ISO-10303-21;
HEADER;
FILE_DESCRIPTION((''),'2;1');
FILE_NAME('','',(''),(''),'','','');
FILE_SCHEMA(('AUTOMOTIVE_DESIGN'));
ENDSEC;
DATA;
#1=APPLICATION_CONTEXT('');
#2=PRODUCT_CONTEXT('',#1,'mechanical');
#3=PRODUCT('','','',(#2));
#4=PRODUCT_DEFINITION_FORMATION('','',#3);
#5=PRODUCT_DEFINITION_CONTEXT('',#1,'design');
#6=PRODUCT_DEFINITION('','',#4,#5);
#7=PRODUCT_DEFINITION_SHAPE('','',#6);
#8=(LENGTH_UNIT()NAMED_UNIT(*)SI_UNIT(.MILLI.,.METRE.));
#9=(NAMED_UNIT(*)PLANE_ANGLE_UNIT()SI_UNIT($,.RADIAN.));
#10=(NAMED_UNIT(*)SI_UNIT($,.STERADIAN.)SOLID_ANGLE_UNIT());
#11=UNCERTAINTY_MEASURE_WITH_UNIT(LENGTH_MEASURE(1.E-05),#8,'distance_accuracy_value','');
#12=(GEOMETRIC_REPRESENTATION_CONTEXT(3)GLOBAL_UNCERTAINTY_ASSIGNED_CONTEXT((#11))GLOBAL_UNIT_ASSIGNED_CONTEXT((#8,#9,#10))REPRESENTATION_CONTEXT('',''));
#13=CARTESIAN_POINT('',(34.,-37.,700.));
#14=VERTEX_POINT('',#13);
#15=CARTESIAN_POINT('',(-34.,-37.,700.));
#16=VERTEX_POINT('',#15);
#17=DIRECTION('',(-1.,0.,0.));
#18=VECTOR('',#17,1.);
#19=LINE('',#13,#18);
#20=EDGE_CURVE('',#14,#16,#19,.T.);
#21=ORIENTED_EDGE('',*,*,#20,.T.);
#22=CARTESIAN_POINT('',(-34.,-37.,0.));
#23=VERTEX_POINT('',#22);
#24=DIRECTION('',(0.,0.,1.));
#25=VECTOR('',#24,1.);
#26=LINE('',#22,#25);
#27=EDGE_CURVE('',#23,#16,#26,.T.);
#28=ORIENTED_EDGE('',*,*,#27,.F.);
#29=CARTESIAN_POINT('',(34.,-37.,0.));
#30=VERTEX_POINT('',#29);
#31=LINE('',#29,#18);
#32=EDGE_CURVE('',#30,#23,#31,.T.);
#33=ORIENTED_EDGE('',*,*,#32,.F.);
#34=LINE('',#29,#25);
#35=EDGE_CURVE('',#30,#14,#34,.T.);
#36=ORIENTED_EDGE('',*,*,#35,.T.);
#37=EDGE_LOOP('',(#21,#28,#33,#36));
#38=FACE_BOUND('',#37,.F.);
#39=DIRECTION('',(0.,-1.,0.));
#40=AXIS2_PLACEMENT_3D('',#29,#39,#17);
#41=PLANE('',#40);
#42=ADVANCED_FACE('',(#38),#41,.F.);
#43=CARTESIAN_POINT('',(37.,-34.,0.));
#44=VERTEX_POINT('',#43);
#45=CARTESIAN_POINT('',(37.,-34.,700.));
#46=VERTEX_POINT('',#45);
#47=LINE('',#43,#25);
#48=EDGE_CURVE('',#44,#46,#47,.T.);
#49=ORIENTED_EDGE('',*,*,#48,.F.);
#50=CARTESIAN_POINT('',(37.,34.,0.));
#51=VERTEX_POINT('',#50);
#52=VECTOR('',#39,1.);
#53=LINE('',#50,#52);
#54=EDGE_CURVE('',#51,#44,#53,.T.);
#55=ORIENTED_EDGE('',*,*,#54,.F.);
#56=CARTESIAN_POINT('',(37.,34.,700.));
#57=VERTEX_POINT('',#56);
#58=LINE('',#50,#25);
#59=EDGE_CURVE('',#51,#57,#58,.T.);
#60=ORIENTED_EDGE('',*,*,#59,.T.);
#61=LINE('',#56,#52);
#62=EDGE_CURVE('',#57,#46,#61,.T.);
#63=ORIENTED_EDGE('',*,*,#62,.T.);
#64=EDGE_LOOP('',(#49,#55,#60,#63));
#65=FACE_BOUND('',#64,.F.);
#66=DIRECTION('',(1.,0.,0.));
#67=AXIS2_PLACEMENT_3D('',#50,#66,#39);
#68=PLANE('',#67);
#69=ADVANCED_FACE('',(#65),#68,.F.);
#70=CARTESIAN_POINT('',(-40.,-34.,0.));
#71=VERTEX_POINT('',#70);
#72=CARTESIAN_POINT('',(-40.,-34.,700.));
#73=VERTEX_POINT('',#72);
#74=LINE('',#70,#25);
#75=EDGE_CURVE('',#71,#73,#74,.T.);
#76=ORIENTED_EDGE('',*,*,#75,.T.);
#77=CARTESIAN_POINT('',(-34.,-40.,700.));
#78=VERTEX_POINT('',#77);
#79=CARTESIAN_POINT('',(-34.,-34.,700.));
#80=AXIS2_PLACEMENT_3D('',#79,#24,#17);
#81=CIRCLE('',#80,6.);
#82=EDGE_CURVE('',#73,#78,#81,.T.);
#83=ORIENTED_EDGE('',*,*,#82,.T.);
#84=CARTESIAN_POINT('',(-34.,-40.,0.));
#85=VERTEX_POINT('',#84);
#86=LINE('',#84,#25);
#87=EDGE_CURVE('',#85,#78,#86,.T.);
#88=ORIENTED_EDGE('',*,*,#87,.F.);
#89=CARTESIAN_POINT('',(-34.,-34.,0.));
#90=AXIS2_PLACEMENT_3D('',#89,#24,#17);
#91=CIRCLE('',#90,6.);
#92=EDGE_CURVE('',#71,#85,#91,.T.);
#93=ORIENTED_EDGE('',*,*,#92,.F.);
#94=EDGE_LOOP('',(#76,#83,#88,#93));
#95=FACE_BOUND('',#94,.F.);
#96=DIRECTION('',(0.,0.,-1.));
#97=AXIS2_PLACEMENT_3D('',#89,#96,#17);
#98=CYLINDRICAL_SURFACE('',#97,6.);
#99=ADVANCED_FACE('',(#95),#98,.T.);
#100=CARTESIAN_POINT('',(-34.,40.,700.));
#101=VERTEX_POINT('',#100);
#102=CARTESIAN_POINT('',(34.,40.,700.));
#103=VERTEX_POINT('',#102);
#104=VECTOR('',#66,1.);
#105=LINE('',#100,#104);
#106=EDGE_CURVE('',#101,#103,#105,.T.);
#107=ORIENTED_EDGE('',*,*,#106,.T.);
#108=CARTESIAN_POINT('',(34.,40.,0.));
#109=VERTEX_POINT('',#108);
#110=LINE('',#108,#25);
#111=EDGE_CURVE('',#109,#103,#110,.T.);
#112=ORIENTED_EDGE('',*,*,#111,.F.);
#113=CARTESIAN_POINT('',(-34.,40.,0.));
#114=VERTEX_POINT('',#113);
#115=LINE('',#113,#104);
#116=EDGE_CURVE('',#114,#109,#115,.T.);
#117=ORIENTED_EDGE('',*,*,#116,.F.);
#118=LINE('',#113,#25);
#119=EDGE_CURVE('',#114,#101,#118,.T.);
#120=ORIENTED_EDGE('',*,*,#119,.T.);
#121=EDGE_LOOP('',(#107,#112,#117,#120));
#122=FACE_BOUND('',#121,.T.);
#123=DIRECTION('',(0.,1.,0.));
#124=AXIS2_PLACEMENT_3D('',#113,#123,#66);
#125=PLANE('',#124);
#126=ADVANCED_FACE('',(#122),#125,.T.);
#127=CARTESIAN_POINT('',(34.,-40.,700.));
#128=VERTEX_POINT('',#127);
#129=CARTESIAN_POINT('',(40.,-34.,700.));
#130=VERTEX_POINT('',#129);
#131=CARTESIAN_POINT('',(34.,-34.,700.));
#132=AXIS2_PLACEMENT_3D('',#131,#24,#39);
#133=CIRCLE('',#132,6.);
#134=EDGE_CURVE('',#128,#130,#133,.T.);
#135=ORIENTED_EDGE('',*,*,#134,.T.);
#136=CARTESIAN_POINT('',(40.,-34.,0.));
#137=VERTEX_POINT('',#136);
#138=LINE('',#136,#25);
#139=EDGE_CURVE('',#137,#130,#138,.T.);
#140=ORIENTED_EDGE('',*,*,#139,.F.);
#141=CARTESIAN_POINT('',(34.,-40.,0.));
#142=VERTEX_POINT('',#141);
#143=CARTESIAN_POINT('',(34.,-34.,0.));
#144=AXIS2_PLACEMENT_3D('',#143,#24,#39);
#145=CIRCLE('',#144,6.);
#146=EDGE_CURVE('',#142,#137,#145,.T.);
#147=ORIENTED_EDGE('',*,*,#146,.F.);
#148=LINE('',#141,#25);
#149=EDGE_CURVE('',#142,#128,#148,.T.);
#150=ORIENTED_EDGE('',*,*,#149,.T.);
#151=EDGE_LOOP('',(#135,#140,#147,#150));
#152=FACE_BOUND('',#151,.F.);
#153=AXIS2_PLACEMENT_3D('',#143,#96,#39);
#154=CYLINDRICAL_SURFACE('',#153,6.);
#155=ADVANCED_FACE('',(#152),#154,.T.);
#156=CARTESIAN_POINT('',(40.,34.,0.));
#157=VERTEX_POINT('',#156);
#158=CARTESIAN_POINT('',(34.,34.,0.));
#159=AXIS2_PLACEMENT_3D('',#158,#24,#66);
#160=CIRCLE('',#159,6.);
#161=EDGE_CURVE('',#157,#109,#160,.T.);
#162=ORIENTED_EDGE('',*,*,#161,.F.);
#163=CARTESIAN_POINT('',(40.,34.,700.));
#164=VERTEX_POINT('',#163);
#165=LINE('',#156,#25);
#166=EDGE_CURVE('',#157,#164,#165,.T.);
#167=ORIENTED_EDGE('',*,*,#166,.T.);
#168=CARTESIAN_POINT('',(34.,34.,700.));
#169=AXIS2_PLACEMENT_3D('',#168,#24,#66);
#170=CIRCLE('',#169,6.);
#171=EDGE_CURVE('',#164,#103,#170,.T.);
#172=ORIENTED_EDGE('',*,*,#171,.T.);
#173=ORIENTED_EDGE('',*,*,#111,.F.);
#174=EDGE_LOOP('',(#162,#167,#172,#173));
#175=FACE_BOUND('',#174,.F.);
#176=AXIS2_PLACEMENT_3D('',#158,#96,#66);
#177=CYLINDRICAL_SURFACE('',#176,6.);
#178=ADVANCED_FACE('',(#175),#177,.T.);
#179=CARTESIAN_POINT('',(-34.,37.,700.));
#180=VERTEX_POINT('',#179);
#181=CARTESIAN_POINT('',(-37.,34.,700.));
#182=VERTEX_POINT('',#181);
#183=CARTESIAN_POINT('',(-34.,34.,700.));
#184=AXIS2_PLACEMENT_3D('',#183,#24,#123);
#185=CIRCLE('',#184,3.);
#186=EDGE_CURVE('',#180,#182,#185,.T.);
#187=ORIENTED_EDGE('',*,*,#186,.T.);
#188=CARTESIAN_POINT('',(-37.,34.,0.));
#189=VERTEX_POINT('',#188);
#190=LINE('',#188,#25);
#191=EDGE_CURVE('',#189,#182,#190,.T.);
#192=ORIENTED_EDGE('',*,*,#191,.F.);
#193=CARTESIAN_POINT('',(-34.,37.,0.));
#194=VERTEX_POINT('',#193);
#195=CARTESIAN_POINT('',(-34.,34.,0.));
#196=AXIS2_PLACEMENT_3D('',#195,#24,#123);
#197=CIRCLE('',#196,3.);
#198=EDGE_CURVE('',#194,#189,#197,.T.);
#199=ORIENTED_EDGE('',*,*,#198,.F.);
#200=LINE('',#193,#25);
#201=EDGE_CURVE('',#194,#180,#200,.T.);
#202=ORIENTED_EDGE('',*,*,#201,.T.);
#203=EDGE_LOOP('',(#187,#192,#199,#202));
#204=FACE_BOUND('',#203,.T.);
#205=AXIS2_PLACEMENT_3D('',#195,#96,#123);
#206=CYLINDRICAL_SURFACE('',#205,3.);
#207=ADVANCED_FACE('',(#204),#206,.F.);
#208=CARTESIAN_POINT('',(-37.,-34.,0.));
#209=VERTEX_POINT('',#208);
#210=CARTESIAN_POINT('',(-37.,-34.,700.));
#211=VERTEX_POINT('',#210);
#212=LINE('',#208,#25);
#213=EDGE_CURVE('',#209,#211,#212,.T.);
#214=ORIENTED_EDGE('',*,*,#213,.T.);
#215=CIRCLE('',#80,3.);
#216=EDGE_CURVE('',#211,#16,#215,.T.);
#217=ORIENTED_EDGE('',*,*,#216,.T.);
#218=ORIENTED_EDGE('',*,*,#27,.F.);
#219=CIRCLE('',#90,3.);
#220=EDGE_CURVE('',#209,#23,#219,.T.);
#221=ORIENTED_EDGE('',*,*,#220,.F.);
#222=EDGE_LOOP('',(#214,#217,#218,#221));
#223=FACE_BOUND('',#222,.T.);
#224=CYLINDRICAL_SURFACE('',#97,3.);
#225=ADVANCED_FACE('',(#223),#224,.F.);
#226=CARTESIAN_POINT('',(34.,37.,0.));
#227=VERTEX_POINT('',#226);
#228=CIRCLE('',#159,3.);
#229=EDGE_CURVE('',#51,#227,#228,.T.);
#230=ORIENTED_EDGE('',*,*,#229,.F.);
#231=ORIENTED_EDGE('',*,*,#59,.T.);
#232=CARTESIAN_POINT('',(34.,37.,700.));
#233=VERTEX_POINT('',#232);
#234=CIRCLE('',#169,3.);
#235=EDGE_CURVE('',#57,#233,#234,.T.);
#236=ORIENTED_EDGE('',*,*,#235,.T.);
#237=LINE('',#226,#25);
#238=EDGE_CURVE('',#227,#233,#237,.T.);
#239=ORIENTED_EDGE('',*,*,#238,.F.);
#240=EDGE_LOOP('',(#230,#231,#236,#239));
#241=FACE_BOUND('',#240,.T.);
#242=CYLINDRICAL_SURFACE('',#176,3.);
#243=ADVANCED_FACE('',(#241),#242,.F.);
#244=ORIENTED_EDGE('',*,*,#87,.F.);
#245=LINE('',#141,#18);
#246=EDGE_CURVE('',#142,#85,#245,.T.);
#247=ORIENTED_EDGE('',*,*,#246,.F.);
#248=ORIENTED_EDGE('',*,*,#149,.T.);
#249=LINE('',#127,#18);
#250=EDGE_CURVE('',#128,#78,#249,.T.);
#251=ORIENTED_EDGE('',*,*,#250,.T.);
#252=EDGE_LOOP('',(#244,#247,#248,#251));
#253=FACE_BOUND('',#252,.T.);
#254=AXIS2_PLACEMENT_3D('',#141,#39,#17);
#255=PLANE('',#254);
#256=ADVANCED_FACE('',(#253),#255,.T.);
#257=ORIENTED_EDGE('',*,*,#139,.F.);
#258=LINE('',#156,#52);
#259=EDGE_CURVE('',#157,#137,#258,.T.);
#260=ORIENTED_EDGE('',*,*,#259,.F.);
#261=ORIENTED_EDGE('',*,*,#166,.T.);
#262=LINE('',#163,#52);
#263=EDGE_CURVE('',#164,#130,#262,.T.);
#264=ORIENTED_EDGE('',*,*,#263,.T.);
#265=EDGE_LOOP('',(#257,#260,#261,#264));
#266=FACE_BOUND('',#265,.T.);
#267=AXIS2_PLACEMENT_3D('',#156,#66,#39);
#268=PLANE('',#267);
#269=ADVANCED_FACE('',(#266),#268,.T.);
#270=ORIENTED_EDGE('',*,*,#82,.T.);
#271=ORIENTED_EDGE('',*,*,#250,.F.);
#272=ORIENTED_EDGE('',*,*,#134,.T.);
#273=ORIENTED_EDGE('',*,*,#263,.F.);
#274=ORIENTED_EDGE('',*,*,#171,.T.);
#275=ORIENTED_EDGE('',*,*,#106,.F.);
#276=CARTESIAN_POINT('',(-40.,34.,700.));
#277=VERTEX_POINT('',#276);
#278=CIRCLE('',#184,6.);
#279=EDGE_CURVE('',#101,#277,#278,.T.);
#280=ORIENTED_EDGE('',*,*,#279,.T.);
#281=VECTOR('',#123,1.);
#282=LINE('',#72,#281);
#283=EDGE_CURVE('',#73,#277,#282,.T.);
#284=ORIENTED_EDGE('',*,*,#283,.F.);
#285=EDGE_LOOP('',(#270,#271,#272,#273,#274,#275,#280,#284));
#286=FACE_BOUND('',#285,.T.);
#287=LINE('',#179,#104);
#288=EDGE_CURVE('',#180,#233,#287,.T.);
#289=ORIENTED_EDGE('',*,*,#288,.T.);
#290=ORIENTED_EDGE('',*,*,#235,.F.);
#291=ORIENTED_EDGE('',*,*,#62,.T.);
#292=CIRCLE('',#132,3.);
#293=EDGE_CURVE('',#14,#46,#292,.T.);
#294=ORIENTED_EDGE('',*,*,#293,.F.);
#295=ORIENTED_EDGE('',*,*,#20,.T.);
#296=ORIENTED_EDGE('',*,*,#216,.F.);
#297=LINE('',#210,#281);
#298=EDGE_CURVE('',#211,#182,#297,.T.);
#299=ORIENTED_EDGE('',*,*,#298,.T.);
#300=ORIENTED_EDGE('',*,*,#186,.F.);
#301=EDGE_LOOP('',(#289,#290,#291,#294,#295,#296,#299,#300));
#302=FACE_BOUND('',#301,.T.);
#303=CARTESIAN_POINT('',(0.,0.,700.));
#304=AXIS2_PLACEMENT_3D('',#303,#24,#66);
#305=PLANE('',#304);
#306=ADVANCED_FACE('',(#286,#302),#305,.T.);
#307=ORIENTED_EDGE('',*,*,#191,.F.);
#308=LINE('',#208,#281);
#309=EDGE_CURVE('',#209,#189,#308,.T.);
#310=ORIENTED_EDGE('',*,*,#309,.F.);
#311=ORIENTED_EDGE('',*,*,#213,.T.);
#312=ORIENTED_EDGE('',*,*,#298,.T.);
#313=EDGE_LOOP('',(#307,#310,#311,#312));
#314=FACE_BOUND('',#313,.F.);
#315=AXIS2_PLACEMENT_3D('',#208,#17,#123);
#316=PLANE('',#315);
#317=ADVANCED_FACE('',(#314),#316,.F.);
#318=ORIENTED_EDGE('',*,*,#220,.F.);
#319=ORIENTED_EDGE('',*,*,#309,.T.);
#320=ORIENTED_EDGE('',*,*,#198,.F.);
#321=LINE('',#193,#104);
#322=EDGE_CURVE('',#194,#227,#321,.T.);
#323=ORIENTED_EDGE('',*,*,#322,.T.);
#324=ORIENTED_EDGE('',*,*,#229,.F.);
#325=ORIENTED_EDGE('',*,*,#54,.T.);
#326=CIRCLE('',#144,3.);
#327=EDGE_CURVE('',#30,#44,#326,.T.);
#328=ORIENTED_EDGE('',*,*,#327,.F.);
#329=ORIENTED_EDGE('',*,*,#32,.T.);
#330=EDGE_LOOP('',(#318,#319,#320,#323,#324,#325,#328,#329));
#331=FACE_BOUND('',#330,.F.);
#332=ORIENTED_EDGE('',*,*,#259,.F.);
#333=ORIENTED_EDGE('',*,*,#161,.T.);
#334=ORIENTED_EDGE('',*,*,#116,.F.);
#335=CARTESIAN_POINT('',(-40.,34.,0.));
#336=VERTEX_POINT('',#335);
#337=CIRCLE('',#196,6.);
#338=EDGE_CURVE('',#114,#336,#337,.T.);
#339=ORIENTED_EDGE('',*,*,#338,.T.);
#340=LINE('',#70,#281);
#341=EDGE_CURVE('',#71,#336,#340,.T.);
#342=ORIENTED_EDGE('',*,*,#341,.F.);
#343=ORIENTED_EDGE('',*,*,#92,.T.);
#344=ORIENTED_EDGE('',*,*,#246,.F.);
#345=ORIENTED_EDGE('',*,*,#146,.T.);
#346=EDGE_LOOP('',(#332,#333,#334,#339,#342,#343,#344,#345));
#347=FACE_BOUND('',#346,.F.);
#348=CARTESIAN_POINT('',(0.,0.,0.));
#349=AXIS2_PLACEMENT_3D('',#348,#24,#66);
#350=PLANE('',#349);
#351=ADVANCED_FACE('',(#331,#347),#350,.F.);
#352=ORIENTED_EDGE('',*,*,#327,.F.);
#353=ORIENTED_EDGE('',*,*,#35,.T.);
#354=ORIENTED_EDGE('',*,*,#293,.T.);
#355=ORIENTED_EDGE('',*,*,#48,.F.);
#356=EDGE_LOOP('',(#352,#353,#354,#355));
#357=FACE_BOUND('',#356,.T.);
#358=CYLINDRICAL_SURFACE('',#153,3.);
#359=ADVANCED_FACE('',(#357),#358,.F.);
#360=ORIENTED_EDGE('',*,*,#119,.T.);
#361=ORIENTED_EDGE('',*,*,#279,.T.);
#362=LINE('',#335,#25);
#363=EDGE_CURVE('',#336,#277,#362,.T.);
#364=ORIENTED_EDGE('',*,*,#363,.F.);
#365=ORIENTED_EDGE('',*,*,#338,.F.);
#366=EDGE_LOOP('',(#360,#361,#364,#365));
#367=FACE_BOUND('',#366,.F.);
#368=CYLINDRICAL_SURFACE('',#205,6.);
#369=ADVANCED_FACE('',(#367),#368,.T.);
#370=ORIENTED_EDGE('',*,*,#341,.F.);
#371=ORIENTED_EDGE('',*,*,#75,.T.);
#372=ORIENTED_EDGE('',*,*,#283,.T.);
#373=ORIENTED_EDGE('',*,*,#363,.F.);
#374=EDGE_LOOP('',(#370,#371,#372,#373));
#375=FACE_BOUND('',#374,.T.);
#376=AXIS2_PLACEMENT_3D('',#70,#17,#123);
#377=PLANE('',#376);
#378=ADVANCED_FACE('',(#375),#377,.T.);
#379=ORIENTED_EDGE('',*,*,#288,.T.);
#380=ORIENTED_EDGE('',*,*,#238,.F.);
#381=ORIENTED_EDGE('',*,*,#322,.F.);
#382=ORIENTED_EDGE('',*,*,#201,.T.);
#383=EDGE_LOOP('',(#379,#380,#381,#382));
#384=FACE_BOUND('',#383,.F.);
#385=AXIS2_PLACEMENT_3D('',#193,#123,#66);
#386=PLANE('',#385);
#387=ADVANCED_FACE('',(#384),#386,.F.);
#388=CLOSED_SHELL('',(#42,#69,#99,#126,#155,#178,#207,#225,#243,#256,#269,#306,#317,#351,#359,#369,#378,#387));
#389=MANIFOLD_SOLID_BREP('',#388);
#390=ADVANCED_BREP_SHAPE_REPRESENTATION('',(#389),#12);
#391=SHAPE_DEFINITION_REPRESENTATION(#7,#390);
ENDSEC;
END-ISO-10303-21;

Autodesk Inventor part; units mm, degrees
ref_plane "YZ Plane" through (0, 0, 0) normal (1, 0, 0) x (0, 1, 0)
ref_plane "Start Plane" through (0, 0, 0) normal (0, 0, 1) x (1, 0, 0)
ref_plane "End Plane" through (0, 0, 700) normal (0, 0, 1) x (1, 0, 0)
sketch "Sketch" plane through (0, 0, 0) normal (0, 0, 1) x (1, 0, 0)
  line L0 (-40, -34) -> (-40, 34)
  line L1 (-34, 40) -> (34, 40)
  line L2 (40, 34) -> (40, -34)
  line L3 (34, -40) -> (-34, -40)
  arc A0 (-40, -34) -> (-34, -40) centre (-34, -34) ccw
  arc A1 (40, 34) -> (34, 40) centre (34, 34) ccw
  arc A2 (-34, 40) -> (-40, 34) centre (-34, 34) ccw
  arc A3 (34, -40) -> (40, -34) centre (34, -34) ccw
  arc A4 (-34, 37) -> (-37, 34) centre (-34, 34) ccw
  line L4 (-34, 37) -> (34, 37)
  arc A5 (37, 34) -> (34, 37) centre (34, 34) ccw
  line L5 (37, 34) -> (37, -34)
  arc A6 (34, -37) -> (37, -34) centre (34, -34) ccw
  line L6 (34, -37) -> (-34, -37)
  arc A7 (-37, -34) -> (-34, -37) centre (-34, -34) ccw
  line L7 (-37, -34) -> (-37, 34)
  line L8 (0, 57.7397) -> (0, -57.7397) construction
  line L9 (-57.7397, 0) -> (57.7397, 0) construction
  dimension "d7" = 6
  dimension "d9" = 80
  dimension "d11" = 80
  dimension "d12" = 3
  dimension "d15" = 40
  dimension "d16" = 40
extrude "Body" add sketch "Sketch" along normal up to surface (700 mm away) from surface at 0
sketch "Sketch3" plane through (0, 0, 0) normal (0, 0, 1) x (1, 0, 0)
  line L0 (0, 0) -> (10, 0)
ref_plane "Work Plane3" through (0, 0, 0) normal (0, -1, 0) x (1, 0, 0)
sketch "Sketch4" plane through (0, 0, 0) normal (0, -1, 0) x (1, 0, 0)
  line L0 (-2, 0) -> (12, 0) projected
  line L1 (-2, 700) -> (12, 700) projected
  dimension "d18" = 700
equation "\"d7\" = G_IR"
equation "\"d9\" = G_W"
equation "\"d11\" = G_H"
equation "\"d12\" = G_T"
equation "\"d15\" = 0.5 * d9"
equation "\"d16\" = 0.5 * d11"
equation "\"d3\" = G_L"
equation "\"G_W\" = 80"
equation "\"G_H\" = 80"
equation "\"G_T\" = 3"
equation "\"G_IR\" = 6"
equation "\"G_L\" = d18"
equation "\"G_OFFSET_START\" = 0"
equation "\"G_OFFSET_END\" = 0"
properties part number "ISO 10799-2 - 80x80x3 - 700" material "Steel, Mild"
